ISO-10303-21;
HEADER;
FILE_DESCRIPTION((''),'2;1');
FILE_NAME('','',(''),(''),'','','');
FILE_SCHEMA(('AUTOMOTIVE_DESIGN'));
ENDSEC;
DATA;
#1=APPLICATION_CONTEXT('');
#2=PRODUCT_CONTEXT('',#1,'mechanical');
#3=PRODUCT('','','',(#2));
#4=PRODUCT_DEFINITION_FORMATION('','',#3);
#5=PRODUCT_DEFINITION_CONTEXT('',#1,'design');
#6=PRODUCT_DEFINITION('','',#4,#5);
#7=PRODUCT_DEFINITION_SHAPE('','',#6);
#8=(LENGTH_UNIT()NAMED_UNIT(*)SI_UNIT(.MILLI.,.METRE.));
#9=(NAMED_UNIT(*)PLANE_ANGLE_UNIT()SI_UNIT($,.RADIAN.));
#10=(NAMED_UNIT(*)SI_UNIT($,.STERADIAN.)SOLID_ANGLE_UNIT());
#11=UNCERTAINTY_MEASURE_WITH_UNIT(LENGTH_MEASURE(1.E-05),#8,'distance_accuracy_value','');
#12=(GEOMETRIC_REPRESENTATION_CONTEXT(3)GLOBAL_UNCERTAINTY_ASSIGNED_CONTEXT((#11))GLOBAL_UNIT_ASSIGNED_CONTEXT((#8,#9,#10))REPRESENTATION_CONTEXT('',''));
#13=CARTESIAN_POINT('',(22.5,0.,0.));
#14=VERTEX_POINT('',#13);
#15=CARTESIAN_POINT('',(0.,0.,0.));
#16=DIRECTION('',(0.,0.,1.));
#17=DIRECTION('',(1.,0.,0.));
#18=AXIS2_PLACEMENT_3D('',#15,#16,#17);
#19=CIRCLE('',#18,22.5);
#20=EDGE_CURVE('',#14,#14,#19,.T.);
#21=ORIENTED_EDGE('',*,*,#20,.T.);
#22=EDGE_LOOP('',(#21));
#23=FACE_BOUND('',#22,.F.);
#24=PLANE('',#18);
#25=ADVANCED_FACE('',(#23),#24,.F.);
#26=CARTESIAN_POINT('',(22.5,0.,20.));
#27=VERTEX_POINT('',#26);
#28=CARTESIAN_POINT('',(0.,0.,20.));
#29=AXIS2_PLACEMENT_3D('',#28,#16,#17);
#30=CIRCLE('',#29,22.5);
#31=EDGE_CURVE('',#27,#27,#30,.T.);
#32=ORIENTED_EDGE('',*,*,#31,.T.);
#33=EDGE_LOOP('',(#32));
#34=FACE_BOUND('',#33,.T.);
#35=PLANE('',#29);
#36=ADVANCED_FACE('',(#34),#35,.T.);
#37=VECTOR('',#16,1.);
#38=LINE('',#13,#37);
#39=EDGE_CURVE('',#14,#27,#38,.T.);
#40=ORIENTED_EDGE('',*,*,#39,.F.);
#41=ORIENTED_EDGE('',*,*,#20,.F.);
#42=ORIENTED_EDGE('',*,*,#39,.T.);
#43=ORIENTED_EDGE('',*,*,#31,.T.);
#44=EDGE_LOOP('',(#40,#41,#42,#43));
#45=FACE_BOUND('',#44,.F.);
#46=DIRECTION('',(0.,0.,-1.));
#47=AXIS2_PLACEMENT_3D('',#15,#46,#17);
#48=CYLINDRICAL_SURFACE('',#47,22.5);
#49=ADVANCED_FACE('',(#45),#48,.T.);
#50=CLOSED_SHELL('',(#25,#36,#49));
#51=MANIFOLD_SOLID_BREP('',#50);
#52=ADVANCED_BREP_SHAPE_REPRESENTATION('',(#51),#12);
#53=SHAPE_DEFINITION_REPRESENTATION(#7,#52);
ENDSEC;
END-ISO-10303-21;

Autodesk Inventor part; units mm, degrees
ref_plane "YZ Plane" through (0, 0, 0) normal (1, 0, 0) x (0, 1, 0)
ref_plane "XZ Plane" through (0, 0, 0) normal (0, 1, 0) x (-1, 0, 0)
ref_plane "XY Plane" through (0, 0, 0) normal (0, 0, 1) x (1, 0, 0)
sketch "Sketch1" plane through (0, 0, 0) normal (0, 0, 1) x (1, 0, 0)
  circle A0 centre (0, 0) radius 22.5
  dimension "d0" = 45
extrude "Extrusion1" add sketch "Sketch1" along normal blind 20
equation "\"d1\" = ProductLedHeight"
equation "\"ProductBaseHeight\" = 35"
equation "\"ProductLedHeight\" = 20"
equation "\"GridProcutClearance\" = 3"
equation "\"GridBorderThickness\" = 5"
equation "\"GridBorderFillets\" = 7"
equation "\"GridTotalSize\" = 63"
equation "\"BaseTotalWidth\" = 352"
